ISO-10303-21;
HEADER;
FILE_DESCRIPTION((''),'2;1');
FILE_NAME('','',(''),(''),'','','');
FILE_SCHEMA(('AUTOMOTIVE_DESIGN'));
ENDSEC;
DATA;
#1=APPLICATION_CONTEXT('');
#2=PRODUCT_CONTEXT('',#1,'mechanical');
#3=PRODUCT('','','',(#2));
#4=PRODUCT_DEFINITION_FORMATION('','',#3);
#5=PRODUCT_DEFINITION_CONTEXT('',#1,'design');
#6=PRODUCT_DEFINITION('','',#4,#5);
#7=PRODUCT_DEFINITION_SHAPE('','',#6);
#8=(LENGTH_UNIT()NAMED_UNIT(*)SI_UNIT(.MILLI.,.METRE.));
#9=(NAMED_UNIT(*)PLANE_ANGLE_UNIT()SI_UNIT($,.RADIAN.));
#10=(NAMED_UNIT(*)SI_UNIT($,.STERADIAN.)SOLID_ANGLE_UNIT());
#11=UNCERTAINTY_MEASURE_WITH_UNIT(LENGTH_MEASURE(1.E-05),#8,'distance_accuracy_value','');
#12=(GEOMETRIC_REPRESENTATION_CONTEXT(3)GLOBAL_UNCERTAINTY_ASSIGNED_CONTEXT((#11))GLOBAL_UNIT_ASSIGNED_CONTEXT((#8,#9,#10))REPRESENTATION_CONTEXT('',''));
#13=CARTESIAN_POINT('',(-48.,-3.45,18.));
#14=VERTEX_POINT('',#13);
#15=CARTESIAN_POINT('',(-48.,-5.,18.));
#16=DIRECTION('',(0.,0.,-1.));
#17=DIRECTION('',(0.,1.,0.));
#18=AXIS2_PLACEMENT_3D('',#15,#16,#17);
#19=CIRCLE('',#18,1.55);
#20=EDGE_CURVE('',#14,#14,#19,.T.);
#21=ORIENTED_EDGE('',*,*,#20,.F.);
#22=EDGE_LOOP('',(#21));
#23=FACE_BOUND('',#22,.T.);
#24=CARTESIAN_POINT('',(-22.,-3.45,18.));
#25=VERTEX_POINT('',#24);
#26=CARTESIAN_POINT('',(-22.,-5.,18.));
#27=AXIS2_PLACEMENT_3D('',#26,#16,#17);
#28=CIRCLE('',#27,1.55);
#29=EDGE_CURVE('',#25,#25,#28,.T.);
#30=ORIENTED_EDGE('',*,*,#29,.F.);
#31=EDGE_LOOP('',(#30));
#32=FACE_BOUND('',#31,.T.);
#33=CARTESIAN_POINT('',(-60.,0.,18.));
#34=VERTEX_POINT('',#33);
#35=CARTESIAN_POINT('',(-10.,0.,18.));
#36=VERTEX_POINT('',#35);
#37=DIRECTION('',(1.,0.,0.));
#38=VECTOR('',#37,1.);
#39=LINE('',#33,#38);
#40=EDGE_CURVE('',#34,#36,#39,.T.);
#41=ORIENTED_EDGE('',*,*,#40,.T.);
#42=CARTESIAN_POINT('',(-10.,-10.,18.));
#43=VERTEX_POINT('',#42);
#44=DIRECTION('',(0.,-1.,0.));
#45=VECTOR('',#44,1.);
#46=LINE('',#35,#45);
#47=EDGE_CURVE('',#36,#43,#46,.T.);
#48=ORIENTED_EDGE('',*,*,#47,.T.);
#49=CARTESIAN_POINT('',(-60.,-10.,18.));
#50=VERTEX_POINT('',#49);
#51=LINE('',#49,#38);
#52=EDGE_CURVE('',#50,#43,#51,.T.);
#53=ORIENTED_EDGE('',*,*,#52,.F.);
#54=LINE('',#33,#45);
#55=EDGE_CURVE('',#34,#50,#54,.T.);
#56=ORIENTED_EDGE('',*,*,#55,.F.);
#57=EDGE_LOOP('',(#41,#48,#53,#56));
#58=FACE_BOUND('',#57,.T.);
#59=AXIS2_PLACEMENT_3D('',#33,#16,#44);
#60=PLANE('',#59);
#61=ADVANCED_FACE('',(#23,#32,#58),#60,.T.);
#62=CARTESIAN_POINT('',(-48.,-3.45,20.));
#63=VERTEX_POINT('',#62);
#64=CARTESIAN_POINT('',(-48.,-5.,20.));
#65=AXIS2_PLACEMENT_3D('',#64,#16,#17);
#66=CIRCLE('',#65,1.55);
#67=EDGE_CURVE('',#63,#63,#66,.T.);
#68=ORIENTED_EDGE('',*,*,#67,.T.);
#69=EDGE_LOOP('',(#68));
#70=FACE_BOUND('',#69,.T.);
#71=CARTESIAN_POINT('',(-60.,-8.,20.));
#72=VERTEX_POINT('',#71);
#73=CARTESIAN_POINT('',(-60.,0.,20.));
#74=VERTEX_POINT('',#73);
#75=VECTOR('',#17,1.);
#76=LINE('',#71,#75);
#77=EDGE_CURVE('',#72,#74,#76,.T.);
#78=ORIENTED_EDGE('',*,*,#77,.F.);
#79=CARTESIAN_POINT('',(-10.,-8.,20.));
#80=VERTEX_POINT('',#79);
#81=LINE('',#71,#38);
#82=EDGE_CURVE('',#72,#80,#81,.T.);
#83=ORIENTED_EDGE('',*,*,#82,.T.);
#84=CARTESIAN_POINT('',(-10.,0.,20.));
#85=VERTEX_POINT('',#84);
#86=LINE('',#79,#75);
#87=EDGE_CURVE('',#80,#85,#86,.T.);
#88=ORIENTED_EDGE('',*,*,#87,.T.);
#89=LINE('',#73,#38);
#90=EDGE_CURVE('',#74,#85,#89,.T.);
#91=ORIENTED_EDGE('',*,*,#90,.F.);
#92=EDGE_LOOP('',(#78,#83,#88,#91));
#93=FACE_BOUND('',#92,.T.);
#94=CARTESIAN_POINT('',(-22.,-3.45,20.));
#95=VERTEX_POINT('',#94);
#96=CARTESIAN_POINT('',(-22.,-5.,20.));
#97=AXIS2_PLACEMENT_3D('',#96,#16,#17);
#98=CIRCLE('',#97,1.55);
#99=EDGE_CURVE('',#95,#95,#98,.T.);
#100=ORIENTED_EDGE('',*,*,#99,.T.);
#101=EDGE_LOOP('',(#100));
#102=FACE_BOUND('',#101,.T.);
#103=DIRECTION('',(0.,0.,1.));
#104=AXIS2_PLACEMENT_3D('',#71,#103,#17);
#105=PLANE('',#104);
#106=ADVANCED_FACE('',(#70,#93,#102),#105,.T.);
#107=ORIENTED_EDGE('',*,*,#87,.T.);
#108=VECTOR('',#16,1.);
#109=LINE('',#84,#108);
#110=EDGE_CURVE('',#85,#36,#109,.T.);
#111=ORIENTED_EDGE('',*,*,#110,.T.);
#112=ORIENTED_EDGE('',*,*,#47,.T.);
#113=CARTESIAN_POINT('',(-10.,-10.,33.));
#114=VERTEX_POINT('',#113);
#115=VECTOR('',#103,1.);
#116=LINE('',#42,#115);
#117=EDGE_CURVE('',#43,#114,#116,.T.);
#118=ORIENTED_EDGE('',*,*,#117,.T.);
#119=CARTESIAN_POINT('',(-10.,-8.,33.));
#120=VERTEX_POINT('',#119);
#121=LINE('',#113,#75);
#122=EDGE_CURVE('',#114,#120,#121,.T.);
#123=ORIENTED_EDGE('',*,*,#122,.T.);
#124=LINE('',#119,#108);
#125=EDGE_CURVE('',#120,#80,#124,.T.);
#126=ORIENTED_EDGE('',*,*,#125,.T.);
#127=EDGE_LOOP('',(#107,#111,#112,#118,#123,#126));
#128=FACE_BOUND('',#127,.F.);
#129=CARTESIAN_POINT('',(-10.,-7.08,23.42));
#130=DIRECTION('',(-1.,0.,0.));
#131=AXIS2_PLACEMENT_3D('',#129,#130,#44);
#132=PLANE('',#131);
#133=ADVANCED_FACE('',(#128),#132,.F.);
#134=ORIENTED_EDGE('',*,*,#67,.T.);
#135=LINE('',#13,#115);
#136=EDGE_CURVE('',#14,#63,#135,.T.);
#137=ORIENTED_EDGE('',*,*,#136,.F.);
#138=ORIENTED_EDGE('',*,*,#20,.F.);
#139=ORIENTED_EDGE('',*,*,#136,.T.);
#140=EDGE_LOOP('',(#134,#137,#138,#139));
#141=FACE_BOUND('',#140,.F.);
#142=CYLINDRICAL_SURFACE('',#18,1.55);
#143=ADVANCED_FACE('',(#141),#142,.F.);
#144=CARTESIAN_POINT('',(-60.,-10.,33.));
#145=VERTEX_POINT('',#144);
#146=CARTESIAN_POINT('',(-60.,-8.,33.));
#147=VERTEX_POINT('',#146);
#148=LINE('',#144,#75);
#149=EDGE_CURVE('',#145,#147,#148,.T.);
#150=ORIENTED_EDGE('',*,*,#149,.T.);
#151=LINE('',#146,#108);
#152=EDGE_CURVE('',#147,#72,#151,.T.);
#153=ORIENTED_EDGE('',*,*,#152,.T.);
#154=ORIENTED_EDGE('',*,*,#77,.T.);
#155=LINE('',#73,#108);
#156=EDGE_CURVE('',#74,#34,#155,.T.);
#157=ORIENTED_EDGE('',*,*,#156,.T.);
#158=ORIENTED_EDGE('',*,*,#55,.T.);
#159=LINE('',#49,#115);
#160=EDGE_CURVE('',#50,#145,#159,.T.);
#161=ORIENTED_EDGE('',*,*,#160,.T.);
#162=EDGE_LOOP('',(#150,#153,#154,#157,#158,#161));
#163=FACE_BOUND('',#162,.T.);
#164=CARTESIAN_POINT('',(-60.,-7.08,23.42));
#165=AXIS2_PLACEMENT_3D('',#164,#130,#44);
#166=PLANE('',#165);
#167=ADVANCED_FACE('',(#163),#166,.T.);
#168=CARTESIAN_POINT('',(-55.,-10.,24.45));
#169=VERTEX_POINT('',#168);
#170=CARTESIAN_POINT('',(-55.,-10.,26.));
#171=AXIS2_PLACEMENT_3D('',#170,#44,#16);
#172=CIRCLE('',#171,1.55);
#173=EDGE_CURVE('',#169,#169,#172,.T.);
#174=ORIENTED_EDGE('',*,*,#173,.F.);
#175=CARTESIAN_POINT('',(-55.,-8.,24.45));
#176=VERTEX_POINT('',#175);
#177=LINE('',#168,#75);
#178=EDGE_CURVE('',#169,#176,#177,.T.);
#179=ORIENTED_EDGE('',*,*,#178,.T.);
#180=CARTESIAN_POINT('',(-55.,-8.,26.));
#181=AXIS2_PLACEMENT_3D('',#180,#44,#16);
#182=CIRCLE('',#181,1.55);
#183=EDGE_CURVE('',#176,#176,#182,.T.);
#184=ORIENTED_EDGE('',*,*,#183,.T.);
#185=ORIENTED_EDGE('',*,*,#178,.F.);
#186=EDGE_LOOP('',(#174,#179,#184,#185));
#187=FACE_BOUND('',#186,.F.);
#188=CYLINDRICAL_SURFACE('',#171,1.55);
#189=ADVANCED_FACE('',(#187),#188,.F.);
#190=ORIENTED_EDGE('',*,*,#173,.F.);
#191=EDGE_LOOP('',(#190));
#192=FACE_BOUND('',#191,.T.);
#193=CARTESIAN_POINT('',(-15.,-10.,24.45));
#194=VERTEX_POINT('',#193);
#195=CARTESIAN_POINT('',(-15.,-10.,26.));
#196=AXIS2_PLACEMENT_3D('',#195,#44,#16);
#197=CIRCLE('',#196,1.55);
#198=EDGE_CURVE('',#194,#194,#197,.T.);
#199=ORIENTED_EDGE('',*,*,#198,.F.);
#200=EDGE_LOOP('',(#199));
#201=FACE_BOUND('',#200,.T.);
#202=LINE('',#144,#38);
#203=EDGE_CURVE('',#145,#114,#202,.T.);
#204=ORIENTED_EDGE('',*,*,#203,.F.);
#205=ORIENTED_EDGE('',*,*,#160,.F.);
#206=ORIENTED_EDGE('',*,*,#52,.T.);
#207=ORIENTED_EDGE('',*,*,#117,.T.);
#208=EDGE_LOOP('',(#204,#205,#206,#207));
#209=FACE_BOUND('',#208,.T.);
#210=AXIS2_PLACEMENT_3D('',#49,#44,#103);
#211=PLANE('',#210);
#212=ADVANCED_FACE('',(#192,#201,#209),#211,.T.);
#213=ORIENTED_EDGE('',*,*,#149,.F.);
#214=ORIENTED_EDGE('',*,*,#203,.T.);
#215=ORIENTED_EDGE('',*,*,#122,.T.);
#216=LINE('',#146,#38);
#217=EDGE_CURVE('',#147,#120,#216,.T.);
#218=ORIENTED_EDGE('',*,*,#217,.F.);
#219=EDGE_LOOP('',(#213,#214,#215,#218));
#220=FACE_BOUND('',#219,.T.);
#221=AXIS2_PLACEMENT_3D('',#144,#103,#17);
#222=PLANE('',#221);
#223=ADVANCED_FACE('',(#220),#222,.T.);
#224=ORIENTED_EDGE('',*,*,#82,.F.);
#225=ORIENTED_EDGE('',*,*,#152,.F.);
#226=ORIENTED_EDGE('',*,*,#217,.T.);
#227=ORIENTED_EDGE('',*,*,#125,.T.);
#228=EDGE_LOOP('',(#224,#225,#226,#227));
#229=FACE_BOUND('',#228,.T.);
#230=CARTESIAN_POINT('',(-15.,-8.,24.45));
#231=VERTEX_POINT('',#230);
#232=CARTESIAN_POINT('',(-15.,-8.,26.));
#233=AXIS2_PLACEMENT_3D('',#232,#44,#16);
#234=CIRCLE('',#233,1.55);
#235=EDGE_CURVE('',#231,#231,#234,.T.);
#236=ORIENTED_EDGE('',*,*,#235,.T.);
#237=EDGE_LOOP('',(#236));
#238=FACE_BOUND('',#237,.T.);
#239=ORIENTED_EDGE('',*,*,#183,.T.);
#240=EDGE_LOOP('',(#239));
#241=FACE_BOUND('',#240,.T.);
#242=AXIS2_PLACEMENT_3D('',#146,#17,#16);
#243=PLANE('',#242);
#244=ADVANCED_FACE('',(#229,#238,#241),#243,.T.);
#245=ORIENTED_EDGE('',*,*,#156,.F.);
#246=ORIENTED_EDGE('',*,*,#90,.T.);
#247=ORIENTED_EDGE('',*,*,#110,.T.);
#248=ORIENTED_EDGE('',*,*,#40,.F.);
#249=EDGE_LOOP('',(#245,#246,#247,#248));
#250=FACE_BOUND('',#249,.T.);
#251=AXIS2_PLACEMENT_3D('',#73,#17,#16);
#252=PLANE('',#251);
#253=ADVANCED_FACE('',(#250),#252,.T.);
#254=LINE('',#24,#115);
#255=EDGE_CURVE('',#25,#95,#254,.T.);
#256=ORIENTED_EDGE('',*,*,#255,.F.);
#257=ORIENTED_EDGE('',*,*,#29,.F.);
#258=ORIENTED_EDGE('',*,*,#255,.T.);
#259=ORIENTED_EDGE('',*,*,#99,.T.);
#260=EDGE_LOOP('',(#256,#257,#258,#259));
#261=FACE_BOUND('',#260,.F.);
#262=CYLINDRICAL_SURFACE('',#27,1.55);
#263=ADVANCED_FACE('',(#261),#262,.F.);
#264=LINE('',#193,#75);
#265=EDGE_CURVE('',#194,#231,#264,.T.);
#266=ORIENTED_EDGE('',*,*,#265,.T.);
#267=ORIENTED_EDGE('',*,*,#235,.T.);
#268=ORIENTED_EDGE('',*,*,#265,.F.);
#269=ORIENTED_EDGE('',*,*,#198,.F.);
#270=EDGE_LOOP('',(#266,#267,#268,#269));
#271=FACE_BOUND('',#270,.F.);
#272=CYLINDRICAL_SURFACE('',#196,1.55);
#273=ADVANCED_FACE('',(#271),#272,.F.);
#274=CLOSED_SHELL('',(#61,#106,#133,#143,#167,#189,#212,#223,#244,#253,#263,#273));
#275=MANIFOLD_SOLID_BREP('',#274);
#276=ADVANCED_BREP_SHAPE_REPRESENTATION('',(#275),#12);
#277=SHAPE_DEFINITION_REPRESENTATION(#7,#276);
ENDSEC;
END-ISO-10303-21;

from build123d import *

# Parameters (mm, degrees)
PAD042_DEPTH    = 50
SKETCH246_R     = 1.55
POCKET204_DEPTH = 15.001
SKETCH247_R     = 1.55
POCKET205_DEPTH = 10.001


with BuildPart() as part:
    # Sketch245 → Pad042 (new body)
    with BuildSketch(Plane.YZ):
        Polygon((0, 0), (0, 15), (2, 15), (2, 2), (10, 2), (10, 0), align=None)
    extrude(amount=PAD042_DEPTH)

    # Sketch246 (on Face6 of Pad042) → Pocket204 (cut, through all)
    with BuildSketch(Plane.YX):
        with Locations((5, 38)):
            Circle(SKETCH246_R)
        with Locations((5, 12)):
            Circle(SKETCH246_R)
    extrude(amount=-POCKET204_DEPTH, mode=Mode.SUBTRACT)

    # Sketch247 (on Face1 of Pocket204) → Pocket205 (cut, through all)
    with BuildSketch(Plane(origin=(0, 0, 0), x_dir=(0, 0, -1), z_dir=(0, -1, 0))):
        with Locations((-8, 45)):
            Circle(SKETCH247_R)
        with Locations((-8, 5)):
            Circle(SKETCH247_R)
    extrude(amount=-POCKET205_DEPTH, mode=Mode.SUBTRACT)


with BuildPart() as part_1:
    # Body043 placement: moved
    add(part.part.moved(Location((-60, -10, 18))))


solid = part_1.part
